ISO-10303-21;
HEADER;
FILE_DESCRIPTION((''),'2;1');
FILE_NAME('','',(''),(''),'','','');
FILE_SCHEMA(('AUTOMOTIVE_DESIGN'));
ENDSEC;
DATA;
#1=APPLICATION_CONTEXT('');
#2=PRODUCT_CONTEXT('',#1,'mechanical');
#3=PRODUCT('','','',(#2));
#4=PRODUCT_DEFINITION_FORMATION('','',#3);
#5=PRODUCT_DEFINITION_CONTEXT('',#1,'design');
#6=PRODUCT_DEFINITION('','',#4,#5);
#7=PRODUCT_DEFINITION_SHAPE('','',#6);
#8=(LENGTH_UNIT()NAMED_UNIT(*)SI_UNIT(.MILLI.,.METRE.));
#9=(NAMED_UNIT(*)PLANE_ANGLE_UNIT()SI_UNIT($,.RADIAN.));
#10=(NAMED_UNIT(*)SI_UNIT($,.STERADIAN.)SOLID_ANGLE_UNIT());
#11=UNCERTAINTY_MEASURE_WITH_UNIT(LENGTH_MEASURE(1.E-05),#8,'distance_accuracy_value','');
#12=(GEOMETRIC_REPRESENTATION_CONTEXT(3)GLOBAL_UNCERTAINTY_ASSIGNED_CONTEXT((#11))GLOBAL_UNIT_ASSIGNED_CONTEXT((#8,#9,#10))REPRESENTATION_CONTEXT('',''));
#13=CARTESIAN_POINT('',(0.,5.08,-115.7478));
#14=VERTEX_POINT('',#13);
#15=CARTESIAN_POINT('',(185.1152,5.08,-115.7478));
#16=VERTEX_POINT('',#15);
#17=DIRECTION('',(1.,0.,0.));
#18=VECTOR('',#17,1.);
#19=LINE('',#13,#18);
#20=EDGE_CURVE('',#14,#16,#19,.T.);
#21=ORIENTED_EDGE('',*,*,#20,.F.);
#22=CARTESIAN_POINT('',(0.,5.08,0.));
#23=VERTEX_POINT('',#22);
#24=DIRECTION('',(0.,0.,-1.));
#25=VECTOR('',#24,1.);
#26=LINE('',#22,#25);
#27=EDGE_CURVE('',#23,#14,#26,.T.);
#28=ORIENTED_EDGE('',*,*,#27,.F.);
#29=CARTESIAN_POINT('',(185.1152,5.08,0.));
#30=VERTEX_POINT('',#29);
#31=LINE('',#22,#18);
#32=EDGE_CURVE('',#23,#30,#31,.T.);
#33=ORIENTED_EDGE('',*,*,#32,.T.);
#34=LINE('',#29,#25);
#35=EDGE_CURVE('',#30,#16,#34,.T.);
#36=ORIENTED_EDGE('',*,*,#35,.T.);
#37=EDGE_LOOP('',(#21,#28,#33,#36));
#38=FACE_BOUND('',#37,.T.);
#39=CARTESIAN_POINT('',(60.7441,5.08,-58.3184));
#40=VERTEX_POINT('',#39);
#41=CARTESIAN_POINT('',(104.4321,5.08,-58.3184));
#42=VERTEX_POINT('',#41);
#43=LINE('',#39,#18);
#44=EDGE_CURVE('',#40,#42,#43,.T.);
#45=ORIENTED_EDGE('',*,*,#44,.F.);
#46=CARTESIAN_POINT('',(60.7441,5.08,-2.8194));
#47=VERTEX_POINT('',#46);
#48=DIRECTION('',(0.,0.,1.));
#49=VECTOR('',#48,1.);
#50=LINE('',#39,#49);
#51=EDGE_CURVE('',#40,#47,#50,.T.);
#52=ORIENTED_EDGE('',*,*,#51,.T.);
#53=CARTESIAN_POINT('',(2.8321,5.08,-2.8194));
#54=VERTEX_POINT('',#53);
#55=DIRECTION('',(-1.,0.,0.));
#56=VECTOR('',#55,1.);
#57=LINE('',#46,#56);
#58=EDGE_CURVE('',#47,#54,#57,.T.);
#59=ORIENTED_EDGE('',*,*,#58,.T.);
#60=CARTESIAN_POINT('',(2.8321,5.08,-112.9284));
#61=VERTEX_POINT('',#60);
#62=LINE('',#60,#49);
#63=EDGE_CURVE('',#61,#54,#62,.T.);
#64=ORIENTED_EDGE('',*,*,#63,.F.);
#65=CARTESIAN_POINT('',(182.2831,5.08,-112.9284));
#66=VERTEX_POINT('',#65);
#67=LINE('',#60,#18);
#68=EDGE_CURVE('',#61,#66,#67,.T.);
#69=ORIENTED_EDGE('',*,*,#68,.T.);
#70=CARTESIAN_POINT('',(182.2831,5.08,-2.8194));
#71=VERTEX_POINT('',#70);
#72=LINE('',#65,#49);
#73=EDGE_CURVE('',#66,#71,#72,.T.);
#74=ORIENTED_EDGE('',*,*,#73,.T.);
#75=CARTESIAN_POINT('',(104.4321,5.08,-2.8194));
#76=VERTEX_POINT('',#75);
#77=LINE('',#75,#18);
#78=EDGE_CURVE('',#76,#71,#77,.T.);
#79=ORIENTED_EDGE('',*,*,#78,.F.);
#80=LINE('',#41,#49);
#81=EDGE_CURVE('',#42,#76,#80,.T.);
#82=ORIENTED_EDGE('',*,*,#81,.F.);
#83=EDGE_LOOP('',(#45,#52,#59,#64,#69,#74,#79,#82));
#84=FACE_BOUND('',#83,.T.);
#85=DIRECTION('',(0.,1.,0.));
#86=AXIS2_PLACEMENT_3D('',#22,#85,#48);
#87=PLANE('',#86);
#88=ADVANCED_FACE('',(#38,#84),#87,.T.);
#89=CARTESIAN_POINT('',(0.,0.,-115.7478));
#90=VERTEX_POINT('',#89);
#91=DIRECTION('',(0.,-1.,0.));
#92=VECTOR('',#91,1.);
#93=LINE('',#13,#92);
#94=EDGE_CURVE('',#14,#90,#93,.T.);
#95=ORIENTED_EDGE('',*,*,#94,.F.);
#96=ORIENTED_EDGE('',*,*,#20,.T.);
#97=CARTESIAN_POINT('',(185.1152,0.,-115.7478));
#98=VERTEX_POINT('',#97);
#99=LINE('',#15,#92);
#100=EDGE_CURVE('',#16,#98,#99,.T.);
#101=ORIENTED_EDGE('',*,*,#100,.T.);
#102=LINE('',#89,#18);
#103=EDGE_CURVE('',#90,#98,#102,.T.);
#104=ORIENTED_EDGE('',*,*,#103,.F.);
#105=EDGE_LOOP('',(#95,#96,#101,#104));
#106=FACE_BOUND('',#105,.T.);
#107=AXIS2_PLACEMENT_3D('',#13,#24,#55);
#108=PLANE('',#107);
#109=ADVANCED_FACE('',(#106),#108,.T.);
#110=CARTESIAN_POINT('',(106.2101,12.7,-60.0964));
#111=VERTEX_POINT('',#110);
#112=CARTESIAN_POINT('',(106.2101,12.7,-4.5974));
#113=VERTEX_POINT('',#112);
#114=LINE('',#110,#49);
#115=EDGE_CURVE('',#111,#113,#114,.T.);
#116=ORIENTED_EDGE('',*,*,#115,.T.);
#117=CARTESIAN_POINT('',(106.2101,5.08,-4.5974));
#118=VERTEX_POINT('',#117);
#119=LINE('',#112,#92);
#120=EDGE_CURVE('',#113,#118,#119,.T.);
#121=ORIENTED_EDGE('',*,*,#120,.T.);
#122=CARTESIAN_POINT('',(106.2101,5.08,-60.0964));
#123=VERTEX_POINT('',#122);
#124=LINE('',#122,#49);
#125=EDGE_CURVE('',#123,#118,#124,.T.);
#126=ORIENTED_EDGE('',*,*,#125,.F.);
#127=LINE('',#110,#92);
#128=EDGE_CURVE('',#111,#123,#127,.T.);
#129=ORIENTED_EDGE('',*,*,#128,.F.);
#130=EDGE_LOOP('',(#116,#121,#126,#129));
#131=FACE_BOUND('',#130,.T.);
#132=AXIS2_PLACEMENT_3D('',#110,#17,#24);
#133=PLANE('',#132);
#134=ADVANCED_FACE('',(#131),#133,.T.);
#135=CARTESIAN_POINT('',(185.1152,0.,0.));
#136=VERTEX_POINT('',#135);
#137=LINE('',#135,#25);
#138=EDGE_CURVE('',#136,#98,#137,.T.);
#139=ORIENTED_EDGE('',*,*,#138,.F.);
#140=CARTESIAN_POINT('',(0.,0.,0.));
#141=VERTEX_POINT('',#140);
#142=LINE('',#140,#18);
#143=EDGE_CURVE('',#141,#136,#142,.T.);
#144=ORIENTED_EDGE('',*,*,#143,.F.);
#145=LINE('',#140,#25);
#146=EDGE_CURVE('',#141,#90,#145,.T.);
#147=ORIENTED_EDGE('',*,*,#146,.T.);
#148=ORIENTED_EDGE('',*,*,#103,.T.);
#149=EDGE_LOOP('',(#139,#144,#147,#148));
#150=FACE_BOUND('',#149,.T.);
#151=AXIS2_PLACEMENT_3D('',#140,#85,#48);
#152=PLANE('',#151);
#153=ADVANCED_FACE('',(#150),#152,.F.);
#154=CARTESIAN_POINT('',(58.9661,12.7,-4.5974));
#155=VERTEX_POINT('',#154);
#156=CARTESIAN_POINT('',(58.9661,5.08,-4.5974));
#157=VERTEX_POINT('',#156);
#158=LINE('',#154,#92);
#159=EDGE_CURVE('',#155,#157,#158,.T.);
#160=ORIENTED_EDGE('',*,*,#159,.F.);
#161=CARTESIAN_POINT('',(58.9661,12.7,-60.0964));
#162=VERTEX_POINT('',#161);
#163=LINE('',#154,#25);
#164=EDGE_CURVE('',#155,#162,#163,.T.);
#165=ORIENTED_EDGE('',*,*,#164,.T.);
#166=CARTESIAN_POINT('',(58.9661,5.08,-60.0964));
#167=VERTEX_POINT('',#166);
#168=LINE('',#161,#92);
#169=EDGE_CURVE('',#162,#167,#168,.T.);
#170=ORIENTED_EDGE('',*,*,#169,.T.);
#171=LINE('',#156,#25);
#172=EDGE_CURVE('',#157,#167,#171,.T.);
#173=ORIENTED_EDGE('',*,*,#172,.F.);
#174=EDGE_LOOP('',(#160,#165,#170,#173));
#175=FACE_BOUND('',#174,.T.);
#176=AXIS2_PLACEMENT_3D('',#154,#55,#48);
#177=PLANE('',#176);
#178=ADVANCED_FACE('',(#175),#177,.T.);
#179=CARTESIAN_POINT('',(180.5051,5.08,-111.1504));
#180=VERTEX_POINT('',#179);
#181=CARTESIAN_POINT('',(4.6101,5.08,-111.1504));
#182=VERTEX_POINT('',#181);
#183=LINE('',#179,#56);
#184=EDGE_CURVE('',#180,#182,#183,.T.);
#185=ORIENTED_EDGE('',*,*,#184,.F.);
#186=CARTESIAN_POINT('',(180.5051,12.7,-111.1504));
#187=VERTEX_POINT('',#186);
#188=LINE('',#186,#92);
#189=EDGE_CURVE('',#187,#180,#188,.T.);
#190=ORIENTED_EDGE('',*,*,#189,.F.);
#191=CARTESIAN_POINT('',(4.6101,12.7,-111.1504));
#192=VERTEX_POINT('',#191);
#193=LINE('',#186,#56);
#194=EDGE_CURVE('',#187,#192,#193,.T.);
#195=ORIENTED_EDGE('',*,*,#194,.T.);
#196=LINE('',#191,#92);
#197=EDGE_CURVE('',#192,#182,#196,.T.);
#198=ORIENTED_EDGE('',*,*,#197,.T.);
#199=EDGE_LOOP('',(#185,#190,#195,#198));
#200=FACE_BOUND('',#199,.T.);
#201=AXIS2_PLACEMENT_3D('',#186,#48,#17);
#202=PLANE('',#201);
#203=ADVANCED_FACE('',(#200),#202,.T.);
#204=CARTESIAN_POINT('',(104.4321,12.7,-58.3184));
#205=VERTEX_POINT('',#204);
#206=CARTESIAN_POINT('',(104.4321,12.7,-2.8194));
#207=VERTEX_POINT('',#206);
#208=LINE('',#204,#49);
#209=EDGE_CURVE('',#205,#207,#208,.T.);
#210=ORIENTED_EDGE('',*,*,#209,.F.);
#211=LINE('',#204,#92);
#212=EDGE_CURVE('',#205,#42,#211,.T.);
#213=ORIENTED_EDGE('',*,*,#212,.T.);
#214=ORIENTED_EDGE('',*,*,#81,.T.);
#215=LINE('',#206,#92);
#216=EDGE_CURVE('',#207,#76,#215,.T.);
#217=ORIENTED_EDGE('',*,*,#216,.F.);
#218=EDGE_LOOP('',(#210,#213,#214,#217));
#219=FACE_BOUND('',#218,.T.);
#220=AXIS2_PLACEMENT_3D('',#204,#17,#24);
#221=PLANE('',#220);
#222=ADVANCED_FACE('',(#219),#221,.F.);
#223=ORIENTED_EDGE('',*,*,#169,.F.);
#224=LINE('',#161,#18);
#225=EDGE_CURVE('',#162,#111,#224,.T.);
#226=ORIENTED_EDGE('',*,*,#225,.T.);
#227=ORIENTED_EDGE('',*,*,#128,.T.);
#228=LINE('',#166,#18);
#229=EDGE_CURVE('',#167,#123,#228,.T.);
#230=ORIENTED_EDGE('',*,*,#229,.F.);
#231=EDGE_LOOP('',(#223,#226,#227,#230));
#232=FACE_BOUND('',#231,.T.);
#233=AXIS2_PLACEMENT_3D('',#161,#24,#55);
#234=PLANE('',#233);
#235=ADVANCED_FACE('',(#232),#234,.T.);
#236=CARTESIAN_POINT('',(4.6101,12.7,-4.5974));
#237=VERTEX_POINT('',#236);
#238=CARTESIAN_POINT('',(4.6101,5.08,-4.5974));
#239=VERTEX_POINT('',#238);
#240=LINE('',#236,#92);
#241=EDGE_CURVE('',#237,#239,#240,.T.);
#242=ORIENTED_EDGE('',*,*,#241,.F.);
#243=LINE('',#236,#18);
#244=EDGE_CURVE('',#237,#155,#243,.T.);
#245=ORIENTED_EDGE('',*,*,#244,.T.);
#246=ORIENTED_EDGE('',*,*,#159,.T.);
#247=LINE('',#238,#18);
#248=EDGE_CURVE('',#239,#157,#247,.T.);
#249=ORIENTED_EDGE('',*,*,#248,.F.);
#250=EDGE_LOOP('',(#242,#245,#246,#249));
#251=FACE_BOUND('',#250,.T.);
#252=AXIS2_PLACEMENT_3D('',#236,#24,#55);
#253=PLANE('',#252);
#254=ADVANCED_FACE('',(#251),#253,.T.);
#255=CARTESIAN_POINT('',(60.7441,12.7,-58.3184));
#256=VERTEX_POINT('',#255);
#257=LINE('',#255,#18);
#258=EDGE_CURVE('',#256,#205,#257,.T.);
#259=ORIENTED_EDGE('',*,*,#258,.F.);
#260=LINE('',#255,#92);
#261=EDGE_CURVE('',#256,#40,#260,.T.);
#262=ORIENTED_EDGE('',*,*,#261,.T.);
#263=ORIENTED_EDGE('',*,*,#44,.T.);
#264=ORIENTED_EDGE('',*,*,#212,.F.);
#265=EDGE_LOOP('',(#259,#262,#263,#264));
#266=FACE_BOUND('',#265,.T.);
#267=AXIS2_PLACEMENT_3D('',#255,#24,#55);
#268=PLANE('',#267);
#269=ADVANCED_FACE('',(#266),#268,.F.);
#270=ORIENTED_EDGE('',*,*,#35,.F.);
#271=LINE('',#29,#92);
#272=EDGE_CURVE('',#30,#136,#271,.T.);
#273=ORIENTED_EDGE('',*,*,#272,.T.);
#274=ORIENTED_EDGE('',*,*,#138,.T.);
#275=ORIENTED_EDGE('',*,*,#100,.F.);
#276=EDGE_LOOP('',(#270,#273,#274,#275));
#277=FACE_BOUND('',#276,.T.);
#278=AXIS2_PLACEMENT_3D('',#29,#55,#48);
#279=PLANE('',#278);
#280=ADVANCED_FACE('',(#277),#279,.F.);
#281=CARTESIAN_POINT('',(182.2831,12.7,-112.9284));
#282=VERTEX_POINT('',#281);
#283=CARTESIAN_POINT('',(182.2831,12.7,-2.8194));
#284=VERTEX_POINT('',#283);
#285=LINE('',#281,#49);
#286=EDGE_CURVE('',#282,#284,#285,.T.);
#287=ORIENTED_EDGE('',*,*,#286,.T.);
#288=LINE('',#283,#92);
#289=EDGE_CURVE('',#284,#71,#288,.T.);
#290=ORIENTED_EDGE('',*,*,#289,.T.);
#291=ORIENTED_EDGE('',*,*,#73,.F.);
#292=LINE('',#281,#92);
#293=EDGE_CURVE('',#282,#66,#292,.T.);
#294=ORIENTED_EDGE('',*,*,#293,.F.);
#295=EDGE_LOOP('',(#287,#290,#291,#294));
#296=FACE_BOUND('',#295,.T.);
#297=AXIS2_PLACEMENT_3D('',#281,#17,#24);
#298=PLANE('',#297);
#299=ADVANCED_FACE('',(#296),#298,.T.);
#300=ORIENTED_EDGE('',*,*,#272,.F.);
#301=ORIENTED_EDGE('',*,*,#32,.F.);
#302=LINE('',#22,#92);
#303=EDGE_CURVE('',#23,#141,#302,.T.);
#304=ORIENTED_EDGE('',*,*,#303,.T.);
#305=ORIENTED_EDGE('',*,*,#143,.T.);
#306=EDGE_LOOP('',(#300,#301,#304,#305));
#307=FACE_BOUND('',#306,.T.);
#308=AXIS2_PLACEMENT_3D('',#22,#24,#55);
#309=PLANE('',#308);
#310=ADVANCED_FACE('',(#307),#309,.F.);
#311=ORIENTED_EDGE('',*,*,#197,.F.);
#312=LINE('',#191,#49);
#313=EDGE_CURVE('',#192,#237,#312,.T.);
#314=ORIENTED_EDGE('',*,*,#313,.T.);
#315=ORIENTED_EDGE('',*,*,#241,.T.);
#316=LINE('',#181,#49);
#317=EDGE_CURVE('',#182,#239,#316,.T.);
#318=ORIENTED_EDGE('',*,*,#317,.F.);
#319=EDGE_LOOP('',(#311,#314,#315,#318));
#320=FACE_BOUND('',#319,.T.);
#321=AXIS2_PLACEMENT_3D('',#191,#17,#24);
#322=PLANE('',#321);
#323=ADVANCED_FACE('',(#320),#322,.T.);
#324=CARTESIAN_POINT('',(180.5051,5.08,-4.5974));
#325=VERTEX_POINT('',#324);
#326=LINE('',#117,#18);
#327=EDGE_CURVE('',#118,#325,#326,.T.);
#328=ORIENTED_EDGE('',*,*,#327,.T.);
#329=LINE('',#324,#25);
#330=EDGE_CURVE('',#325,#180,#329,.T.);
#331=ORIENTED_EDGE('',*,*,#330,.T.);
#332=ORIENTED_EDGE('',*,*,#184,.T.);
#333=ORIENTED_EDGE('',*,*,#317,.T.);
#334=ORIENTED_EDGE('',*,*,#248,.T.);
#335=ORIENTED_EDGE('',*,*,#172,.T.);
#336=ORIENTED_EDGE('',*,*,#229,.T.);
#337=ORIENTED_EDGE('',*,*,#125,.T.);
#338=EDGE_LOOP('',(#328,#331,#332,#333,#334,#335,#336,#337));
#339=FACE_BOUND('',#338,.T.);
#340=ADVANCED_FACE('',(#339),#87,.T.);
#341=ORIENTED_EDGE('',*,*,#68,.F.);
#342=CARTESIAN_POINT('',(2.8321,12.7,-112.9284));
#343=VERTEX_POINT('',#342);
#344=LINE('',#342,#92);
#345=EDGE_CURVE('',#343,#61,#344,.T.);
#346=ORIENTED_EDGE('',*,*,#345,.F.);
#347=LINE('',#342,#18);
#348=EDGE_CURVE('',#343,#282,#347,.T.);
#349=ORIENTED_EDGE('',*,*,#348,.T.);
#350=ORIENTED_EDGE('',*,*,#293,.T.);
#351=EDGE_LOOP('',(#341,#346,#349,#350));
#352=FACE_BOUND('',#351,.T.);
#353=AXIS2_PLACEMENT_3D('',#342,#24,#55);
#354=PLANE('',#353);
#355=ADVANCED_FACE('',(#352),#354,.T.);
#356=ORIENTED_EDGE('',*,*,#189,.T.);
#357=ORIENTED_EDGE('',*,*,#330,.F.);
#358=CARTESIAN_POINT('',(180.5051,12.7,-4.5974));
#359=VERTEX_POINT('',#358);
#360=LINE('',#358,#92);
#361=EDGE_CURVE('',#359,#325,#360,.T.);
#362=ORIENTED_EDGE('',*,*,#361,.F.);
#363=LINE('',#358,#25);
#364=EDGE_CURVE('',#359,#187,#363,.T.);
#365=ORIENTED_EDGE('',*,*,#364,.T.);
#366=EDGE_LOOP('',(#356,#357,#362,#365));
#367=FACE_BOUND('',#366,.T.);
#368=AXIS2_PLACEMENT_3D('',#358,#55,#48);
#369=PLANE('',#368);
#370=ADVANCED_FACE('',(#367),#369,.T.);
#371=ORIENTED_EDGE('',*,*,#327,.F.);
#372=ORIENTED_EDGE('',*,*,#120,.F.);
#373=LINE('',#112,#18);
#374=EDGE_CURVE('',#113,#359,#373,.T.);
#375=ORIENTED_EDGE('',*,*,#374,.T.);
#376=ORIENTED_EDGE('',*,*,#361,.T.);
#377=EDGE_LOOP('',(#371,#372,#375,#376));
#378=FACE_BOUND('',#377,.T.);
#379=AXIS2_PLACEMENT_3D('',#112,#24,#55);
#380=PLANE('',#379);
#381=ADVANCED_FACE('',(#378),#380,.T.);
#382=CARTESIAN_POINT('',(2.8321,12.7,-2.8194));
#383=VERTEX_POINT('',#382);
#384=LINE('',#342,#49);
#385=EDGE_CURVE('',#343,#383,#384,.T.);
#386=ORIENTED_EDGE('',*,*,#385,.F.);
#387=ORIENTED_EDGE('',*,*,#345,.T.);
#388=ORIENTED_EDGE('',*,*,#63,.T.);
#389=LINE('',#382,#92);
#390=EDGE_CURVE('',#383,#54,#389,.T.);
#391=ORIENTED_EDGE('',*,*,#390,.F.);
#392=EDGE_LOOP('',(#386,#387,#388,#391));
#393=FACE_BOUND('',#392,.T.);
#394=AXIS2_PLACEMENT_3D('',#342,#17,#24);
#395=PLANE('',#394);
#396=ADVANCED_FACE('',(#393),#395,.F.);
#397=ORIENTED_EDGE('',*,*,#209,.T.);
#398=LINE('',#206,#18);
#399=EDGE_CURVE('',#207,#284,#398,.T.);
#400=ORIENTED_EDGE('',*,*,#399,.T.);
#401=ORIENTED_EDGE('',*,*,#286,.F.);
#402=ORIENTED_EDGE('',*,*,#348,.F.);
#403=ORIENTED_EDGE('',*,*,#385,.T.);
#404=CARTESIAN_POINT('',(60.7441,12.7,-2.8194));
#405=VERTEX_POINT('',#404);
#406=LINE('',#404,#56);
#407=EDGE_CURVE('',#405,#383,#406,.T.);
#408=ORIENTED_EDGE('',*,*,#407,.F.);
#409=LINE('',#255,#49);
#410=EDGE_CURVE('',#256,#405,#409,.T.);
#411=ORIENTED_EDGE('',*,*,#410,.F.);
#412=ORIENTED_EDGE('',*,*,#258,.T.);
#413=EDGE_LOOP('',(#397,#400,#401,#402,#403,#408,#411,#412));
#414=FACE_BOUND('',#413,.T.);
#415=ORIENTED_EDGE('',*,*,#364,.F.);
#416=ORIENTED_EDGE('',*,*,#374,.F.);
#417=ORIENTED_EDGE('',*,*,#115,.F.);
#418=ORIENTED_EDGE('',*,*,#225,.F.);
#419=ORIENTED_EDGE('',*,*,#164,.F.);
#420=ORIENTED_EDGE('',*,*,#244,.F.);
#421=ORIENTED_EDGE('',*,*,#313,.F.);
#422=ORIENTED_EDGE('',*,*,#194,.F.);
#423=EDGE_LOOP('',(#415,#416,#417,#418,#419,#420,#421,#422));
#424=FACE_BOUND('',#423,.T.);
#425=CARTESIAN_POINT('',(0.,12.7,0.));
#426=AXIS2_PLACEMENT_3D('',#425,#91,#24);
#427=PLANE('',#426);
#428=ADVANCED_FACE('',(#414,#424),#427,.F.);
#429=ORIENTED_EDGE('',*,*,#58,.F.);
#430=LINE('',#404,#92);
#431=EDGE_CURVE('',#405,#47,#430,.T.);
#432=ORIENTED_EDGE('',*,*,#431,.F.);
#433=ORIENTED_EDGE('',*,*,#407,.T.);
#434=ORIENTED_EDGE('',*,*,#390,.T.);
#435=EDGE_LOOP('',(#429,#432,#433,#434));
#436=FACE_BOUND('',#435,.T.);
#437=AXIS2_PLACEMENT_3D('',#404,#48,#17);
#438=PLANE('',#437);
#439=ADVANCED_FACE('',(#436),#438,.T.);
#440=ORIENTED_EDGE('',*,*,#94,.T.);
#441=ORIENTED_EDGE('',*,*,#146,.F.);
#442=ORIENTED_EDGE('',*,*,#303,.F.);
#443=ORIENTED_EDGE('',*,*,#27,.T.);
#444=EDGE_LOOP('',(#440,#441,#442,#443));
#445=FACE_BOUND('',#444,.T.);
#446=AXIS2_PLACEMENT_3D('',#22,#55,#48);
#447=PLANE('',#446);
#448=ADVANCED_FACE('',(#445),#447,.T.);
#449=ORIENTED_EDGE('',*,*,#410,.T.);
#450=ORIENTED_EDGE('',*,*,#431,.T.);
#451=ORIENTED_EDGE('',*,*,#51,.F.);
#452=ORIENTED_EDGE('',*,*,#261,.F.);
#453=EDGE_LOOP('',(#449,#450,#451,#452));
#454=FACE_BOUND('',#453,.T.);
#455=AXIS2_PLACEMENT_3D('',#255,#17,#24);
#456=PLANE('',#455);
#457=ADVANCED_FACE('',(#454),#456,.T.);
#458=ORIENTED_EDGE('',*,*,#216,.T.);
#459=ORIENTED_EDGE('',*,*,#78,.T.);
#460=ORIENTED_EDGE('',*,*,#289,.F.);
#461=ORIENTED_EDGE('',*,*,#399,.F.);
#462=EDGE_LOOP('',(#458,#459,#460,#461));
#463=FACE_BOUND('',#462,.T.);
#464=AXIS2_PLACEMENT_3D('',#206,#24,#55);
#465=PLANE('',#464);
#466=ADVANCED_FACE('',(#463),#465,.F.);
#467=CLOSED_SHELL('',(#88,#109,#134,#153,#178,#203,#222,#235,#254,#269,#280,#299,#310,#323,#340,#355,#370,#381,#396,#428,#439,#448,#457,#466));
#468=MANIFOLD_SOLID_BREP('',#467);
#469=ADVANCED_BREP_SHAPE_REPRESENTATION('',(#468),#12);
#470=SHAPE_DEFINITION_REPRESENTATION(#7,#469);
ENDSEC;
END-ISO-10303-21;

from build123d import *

# Parameters (mm, degrees)
SKETCH1_W           = 185.1152
SKETCH1_H           = 115.7478
BOSS_EXTRUDE1_DEPTH = 5.08
BOSS_EXTRUDE2_DEPTH = 7.62


with BuildPart() as part:
    # Sketch1 → Boss-Extrude1 (new body)
    with BuildSketch(Plane(origin=(0, 0, 0), x_dir=(1, 0, 0), z_dir=(0, 1, 0))):
        with Locations((92.5576, 57.8739)):
            Rectangle(SKETCH1_W, SKETCH1_H)
    extrude(amount=BOSS_EXTRUDE1_DEPTH)

    # Sketch2 → Boss-Extrude2 (add)
    with BuildSketch(Plane(origin=(0, 5.08, 0), x_dir=(1, 0, 0), z_dir=(0, 1, 0))):
        Polygon((2.8321, 112.9284), (182.2831, 112.9284), (182.2831, 2.8194), (104.4321, 2.8194), (104.4321, 58.3184), (60.7441, 58.3184), (60.7441, 2.8194), (2.8321, 2.8194), align=None)
        Polygon((4.6101, 111.1504), (4.6101, 4.5974), (58.9661, 4.5974), (58.9661, 60.0964), (106.2101, 60.0964), (106.2101, 4.5974), (180.5051, 4.5974), (180.5051, 111.1504), align=None, mode=Mode.SUBTRACT)
    extrude(amount=BOSS_EXTRUDE2_DEPTH)


solid = part.part
